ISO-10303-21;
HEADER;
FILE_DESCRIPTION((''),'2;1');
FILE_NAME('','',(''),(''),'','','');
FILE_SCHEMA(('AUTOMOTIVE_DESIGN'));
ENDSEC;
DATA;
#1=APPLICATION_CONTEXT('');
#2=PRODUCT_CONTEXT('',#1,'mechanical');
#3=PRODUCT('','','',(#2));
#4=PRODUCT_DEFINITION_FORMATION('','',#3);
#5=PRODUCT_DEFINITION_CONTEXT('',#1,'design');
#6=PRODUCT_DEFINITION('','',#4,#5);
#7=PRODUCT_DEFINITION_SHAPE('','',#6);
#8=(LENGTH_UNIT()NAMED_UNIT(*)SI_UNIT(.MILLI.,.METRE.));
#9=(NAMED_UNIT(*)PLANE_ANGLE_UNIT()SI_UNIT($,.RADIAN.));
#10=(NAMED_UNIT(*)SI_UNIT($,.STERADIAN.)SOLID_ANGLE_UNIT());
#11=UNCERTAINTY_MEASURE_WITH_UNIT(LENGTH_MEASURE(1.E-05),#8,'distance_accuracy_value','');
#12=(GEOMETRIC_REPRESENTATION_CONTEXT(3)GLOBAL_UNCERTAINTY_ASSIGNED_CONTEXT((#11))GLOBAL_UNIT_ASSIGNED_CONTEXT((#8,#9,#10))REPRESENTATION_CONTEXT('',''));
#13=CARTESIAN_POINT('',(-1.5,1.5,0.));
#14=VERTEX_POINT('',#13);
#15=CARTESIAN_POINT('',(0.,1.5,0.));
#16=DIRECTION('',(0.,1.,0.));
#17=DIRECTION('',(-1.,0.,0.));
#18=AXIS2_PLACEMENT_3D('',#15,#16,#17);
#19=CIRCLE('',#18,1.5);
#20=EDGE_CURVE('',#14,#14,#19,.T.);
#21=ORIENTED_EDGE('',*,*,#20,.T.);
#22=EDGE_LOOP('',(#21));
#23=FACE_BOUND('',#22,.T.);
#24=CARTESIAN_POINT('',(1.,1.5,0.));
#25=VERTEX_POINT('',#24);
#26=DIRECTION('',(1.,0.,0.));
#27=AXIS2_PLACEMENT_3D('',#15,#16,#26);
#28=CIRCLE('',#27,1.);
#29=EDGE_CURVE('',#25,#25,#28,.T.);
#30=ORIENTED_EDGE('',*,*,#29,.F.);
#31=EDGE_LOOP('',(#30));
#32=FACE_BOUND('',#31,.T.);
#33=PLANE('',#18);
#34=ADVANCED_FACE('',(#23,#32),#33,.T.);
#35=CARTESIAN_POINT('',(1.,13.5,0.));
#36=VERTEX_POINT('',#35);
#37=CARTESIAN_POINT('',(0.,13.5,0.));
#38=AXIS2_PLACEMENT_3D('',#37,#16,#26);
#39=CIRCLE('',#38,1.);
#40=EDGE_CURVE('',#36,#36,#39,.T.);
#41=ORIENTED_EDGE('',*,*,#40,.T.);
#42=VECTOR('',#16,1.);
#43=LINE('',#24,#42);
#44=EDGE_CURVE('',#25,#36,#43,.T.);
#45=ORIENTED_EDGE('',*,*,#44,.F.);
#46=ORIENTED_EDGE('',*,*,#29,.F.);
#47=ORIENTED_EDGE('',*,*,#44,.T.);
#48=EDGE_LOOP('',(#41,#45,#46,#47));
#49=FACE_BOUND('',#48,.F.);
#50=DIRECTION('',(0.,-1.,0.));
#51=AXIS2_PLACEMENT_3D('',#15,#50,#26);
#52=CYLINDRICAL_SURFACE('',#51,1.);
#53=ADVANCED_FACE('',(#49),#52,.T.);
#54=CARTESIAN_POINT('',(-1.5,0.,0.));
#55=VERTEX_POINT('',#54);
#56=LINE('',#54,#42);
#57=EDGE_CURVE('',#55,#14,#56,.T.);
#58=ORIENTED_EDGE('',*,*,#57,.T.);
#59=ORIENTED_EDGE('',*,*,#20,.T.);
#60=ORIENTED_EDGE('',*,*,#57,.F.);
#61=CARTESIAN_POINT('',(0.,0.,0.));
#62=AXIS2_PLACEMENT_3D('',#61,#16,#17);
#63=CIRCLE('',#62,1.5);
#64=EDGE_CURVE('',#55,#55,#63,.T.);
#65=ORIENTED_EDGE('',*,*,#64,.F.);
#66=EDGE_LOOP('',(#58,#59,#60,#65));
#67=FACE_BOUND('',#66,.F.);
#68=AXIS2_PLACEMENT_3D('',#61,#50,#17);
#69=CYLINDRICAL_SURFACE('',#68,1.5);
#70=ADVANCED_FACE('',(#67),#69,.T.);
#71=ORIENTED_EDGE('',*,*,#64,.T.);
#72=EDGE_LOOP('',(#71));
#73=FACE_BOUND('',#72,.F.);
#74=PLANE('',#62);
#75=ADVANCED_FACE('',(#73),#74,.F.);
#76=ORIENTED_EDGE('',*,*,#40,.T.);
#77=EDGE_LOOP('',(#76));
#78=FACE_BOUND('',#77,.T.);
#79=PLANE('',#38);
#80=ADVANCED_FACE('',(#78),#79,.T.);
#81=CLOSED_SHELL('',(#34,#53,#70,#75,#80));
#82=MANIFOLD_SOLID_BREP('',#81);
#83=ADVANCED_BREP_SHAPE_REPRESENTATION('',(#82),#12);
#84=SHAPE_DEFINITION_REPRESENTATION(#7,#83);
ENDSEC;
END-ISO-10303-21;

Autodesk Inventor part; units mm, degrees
ref_plane "YZ Plane" through (0, 0, 0) normal (1, 0, 0) x (0, 1, 0)
ref_plane "XZ Plane" through (0, 0, 0) normal (0, 1, 0) x (-1, 0, 0)
ref_plane "XY Plane" through (0, 0, 0) normal (0, 0, 1) x (1, 0, 0)
sketch "Sketch1" plane through (0, 0, 0) normal (0, 1, 0) x (-1, 0, 0)
  circle A0 centre (0, 0) radius 1.5
  dimension "d0" = 3
extrude "Extrusion1" add sketch "Sketch1" along normal blind 1.5
sketch "Sketch2" plane through (0, 1.5, 0) normal (0, 1, 0) x (1, 0, 0)
  circle A0 centre (0, 0) radius 1.5 projected
  circle A1 centre (0, 0) radius 1
  dimension "d3" = 2
extrude "Extrusion2" add sketch "Sketch2" along normal blind 12 contours A1
thread "Thread1" size "M2x0.4" class "6g" standard "ANSI Metric M Profile" full length
properties part number "M2x12"
